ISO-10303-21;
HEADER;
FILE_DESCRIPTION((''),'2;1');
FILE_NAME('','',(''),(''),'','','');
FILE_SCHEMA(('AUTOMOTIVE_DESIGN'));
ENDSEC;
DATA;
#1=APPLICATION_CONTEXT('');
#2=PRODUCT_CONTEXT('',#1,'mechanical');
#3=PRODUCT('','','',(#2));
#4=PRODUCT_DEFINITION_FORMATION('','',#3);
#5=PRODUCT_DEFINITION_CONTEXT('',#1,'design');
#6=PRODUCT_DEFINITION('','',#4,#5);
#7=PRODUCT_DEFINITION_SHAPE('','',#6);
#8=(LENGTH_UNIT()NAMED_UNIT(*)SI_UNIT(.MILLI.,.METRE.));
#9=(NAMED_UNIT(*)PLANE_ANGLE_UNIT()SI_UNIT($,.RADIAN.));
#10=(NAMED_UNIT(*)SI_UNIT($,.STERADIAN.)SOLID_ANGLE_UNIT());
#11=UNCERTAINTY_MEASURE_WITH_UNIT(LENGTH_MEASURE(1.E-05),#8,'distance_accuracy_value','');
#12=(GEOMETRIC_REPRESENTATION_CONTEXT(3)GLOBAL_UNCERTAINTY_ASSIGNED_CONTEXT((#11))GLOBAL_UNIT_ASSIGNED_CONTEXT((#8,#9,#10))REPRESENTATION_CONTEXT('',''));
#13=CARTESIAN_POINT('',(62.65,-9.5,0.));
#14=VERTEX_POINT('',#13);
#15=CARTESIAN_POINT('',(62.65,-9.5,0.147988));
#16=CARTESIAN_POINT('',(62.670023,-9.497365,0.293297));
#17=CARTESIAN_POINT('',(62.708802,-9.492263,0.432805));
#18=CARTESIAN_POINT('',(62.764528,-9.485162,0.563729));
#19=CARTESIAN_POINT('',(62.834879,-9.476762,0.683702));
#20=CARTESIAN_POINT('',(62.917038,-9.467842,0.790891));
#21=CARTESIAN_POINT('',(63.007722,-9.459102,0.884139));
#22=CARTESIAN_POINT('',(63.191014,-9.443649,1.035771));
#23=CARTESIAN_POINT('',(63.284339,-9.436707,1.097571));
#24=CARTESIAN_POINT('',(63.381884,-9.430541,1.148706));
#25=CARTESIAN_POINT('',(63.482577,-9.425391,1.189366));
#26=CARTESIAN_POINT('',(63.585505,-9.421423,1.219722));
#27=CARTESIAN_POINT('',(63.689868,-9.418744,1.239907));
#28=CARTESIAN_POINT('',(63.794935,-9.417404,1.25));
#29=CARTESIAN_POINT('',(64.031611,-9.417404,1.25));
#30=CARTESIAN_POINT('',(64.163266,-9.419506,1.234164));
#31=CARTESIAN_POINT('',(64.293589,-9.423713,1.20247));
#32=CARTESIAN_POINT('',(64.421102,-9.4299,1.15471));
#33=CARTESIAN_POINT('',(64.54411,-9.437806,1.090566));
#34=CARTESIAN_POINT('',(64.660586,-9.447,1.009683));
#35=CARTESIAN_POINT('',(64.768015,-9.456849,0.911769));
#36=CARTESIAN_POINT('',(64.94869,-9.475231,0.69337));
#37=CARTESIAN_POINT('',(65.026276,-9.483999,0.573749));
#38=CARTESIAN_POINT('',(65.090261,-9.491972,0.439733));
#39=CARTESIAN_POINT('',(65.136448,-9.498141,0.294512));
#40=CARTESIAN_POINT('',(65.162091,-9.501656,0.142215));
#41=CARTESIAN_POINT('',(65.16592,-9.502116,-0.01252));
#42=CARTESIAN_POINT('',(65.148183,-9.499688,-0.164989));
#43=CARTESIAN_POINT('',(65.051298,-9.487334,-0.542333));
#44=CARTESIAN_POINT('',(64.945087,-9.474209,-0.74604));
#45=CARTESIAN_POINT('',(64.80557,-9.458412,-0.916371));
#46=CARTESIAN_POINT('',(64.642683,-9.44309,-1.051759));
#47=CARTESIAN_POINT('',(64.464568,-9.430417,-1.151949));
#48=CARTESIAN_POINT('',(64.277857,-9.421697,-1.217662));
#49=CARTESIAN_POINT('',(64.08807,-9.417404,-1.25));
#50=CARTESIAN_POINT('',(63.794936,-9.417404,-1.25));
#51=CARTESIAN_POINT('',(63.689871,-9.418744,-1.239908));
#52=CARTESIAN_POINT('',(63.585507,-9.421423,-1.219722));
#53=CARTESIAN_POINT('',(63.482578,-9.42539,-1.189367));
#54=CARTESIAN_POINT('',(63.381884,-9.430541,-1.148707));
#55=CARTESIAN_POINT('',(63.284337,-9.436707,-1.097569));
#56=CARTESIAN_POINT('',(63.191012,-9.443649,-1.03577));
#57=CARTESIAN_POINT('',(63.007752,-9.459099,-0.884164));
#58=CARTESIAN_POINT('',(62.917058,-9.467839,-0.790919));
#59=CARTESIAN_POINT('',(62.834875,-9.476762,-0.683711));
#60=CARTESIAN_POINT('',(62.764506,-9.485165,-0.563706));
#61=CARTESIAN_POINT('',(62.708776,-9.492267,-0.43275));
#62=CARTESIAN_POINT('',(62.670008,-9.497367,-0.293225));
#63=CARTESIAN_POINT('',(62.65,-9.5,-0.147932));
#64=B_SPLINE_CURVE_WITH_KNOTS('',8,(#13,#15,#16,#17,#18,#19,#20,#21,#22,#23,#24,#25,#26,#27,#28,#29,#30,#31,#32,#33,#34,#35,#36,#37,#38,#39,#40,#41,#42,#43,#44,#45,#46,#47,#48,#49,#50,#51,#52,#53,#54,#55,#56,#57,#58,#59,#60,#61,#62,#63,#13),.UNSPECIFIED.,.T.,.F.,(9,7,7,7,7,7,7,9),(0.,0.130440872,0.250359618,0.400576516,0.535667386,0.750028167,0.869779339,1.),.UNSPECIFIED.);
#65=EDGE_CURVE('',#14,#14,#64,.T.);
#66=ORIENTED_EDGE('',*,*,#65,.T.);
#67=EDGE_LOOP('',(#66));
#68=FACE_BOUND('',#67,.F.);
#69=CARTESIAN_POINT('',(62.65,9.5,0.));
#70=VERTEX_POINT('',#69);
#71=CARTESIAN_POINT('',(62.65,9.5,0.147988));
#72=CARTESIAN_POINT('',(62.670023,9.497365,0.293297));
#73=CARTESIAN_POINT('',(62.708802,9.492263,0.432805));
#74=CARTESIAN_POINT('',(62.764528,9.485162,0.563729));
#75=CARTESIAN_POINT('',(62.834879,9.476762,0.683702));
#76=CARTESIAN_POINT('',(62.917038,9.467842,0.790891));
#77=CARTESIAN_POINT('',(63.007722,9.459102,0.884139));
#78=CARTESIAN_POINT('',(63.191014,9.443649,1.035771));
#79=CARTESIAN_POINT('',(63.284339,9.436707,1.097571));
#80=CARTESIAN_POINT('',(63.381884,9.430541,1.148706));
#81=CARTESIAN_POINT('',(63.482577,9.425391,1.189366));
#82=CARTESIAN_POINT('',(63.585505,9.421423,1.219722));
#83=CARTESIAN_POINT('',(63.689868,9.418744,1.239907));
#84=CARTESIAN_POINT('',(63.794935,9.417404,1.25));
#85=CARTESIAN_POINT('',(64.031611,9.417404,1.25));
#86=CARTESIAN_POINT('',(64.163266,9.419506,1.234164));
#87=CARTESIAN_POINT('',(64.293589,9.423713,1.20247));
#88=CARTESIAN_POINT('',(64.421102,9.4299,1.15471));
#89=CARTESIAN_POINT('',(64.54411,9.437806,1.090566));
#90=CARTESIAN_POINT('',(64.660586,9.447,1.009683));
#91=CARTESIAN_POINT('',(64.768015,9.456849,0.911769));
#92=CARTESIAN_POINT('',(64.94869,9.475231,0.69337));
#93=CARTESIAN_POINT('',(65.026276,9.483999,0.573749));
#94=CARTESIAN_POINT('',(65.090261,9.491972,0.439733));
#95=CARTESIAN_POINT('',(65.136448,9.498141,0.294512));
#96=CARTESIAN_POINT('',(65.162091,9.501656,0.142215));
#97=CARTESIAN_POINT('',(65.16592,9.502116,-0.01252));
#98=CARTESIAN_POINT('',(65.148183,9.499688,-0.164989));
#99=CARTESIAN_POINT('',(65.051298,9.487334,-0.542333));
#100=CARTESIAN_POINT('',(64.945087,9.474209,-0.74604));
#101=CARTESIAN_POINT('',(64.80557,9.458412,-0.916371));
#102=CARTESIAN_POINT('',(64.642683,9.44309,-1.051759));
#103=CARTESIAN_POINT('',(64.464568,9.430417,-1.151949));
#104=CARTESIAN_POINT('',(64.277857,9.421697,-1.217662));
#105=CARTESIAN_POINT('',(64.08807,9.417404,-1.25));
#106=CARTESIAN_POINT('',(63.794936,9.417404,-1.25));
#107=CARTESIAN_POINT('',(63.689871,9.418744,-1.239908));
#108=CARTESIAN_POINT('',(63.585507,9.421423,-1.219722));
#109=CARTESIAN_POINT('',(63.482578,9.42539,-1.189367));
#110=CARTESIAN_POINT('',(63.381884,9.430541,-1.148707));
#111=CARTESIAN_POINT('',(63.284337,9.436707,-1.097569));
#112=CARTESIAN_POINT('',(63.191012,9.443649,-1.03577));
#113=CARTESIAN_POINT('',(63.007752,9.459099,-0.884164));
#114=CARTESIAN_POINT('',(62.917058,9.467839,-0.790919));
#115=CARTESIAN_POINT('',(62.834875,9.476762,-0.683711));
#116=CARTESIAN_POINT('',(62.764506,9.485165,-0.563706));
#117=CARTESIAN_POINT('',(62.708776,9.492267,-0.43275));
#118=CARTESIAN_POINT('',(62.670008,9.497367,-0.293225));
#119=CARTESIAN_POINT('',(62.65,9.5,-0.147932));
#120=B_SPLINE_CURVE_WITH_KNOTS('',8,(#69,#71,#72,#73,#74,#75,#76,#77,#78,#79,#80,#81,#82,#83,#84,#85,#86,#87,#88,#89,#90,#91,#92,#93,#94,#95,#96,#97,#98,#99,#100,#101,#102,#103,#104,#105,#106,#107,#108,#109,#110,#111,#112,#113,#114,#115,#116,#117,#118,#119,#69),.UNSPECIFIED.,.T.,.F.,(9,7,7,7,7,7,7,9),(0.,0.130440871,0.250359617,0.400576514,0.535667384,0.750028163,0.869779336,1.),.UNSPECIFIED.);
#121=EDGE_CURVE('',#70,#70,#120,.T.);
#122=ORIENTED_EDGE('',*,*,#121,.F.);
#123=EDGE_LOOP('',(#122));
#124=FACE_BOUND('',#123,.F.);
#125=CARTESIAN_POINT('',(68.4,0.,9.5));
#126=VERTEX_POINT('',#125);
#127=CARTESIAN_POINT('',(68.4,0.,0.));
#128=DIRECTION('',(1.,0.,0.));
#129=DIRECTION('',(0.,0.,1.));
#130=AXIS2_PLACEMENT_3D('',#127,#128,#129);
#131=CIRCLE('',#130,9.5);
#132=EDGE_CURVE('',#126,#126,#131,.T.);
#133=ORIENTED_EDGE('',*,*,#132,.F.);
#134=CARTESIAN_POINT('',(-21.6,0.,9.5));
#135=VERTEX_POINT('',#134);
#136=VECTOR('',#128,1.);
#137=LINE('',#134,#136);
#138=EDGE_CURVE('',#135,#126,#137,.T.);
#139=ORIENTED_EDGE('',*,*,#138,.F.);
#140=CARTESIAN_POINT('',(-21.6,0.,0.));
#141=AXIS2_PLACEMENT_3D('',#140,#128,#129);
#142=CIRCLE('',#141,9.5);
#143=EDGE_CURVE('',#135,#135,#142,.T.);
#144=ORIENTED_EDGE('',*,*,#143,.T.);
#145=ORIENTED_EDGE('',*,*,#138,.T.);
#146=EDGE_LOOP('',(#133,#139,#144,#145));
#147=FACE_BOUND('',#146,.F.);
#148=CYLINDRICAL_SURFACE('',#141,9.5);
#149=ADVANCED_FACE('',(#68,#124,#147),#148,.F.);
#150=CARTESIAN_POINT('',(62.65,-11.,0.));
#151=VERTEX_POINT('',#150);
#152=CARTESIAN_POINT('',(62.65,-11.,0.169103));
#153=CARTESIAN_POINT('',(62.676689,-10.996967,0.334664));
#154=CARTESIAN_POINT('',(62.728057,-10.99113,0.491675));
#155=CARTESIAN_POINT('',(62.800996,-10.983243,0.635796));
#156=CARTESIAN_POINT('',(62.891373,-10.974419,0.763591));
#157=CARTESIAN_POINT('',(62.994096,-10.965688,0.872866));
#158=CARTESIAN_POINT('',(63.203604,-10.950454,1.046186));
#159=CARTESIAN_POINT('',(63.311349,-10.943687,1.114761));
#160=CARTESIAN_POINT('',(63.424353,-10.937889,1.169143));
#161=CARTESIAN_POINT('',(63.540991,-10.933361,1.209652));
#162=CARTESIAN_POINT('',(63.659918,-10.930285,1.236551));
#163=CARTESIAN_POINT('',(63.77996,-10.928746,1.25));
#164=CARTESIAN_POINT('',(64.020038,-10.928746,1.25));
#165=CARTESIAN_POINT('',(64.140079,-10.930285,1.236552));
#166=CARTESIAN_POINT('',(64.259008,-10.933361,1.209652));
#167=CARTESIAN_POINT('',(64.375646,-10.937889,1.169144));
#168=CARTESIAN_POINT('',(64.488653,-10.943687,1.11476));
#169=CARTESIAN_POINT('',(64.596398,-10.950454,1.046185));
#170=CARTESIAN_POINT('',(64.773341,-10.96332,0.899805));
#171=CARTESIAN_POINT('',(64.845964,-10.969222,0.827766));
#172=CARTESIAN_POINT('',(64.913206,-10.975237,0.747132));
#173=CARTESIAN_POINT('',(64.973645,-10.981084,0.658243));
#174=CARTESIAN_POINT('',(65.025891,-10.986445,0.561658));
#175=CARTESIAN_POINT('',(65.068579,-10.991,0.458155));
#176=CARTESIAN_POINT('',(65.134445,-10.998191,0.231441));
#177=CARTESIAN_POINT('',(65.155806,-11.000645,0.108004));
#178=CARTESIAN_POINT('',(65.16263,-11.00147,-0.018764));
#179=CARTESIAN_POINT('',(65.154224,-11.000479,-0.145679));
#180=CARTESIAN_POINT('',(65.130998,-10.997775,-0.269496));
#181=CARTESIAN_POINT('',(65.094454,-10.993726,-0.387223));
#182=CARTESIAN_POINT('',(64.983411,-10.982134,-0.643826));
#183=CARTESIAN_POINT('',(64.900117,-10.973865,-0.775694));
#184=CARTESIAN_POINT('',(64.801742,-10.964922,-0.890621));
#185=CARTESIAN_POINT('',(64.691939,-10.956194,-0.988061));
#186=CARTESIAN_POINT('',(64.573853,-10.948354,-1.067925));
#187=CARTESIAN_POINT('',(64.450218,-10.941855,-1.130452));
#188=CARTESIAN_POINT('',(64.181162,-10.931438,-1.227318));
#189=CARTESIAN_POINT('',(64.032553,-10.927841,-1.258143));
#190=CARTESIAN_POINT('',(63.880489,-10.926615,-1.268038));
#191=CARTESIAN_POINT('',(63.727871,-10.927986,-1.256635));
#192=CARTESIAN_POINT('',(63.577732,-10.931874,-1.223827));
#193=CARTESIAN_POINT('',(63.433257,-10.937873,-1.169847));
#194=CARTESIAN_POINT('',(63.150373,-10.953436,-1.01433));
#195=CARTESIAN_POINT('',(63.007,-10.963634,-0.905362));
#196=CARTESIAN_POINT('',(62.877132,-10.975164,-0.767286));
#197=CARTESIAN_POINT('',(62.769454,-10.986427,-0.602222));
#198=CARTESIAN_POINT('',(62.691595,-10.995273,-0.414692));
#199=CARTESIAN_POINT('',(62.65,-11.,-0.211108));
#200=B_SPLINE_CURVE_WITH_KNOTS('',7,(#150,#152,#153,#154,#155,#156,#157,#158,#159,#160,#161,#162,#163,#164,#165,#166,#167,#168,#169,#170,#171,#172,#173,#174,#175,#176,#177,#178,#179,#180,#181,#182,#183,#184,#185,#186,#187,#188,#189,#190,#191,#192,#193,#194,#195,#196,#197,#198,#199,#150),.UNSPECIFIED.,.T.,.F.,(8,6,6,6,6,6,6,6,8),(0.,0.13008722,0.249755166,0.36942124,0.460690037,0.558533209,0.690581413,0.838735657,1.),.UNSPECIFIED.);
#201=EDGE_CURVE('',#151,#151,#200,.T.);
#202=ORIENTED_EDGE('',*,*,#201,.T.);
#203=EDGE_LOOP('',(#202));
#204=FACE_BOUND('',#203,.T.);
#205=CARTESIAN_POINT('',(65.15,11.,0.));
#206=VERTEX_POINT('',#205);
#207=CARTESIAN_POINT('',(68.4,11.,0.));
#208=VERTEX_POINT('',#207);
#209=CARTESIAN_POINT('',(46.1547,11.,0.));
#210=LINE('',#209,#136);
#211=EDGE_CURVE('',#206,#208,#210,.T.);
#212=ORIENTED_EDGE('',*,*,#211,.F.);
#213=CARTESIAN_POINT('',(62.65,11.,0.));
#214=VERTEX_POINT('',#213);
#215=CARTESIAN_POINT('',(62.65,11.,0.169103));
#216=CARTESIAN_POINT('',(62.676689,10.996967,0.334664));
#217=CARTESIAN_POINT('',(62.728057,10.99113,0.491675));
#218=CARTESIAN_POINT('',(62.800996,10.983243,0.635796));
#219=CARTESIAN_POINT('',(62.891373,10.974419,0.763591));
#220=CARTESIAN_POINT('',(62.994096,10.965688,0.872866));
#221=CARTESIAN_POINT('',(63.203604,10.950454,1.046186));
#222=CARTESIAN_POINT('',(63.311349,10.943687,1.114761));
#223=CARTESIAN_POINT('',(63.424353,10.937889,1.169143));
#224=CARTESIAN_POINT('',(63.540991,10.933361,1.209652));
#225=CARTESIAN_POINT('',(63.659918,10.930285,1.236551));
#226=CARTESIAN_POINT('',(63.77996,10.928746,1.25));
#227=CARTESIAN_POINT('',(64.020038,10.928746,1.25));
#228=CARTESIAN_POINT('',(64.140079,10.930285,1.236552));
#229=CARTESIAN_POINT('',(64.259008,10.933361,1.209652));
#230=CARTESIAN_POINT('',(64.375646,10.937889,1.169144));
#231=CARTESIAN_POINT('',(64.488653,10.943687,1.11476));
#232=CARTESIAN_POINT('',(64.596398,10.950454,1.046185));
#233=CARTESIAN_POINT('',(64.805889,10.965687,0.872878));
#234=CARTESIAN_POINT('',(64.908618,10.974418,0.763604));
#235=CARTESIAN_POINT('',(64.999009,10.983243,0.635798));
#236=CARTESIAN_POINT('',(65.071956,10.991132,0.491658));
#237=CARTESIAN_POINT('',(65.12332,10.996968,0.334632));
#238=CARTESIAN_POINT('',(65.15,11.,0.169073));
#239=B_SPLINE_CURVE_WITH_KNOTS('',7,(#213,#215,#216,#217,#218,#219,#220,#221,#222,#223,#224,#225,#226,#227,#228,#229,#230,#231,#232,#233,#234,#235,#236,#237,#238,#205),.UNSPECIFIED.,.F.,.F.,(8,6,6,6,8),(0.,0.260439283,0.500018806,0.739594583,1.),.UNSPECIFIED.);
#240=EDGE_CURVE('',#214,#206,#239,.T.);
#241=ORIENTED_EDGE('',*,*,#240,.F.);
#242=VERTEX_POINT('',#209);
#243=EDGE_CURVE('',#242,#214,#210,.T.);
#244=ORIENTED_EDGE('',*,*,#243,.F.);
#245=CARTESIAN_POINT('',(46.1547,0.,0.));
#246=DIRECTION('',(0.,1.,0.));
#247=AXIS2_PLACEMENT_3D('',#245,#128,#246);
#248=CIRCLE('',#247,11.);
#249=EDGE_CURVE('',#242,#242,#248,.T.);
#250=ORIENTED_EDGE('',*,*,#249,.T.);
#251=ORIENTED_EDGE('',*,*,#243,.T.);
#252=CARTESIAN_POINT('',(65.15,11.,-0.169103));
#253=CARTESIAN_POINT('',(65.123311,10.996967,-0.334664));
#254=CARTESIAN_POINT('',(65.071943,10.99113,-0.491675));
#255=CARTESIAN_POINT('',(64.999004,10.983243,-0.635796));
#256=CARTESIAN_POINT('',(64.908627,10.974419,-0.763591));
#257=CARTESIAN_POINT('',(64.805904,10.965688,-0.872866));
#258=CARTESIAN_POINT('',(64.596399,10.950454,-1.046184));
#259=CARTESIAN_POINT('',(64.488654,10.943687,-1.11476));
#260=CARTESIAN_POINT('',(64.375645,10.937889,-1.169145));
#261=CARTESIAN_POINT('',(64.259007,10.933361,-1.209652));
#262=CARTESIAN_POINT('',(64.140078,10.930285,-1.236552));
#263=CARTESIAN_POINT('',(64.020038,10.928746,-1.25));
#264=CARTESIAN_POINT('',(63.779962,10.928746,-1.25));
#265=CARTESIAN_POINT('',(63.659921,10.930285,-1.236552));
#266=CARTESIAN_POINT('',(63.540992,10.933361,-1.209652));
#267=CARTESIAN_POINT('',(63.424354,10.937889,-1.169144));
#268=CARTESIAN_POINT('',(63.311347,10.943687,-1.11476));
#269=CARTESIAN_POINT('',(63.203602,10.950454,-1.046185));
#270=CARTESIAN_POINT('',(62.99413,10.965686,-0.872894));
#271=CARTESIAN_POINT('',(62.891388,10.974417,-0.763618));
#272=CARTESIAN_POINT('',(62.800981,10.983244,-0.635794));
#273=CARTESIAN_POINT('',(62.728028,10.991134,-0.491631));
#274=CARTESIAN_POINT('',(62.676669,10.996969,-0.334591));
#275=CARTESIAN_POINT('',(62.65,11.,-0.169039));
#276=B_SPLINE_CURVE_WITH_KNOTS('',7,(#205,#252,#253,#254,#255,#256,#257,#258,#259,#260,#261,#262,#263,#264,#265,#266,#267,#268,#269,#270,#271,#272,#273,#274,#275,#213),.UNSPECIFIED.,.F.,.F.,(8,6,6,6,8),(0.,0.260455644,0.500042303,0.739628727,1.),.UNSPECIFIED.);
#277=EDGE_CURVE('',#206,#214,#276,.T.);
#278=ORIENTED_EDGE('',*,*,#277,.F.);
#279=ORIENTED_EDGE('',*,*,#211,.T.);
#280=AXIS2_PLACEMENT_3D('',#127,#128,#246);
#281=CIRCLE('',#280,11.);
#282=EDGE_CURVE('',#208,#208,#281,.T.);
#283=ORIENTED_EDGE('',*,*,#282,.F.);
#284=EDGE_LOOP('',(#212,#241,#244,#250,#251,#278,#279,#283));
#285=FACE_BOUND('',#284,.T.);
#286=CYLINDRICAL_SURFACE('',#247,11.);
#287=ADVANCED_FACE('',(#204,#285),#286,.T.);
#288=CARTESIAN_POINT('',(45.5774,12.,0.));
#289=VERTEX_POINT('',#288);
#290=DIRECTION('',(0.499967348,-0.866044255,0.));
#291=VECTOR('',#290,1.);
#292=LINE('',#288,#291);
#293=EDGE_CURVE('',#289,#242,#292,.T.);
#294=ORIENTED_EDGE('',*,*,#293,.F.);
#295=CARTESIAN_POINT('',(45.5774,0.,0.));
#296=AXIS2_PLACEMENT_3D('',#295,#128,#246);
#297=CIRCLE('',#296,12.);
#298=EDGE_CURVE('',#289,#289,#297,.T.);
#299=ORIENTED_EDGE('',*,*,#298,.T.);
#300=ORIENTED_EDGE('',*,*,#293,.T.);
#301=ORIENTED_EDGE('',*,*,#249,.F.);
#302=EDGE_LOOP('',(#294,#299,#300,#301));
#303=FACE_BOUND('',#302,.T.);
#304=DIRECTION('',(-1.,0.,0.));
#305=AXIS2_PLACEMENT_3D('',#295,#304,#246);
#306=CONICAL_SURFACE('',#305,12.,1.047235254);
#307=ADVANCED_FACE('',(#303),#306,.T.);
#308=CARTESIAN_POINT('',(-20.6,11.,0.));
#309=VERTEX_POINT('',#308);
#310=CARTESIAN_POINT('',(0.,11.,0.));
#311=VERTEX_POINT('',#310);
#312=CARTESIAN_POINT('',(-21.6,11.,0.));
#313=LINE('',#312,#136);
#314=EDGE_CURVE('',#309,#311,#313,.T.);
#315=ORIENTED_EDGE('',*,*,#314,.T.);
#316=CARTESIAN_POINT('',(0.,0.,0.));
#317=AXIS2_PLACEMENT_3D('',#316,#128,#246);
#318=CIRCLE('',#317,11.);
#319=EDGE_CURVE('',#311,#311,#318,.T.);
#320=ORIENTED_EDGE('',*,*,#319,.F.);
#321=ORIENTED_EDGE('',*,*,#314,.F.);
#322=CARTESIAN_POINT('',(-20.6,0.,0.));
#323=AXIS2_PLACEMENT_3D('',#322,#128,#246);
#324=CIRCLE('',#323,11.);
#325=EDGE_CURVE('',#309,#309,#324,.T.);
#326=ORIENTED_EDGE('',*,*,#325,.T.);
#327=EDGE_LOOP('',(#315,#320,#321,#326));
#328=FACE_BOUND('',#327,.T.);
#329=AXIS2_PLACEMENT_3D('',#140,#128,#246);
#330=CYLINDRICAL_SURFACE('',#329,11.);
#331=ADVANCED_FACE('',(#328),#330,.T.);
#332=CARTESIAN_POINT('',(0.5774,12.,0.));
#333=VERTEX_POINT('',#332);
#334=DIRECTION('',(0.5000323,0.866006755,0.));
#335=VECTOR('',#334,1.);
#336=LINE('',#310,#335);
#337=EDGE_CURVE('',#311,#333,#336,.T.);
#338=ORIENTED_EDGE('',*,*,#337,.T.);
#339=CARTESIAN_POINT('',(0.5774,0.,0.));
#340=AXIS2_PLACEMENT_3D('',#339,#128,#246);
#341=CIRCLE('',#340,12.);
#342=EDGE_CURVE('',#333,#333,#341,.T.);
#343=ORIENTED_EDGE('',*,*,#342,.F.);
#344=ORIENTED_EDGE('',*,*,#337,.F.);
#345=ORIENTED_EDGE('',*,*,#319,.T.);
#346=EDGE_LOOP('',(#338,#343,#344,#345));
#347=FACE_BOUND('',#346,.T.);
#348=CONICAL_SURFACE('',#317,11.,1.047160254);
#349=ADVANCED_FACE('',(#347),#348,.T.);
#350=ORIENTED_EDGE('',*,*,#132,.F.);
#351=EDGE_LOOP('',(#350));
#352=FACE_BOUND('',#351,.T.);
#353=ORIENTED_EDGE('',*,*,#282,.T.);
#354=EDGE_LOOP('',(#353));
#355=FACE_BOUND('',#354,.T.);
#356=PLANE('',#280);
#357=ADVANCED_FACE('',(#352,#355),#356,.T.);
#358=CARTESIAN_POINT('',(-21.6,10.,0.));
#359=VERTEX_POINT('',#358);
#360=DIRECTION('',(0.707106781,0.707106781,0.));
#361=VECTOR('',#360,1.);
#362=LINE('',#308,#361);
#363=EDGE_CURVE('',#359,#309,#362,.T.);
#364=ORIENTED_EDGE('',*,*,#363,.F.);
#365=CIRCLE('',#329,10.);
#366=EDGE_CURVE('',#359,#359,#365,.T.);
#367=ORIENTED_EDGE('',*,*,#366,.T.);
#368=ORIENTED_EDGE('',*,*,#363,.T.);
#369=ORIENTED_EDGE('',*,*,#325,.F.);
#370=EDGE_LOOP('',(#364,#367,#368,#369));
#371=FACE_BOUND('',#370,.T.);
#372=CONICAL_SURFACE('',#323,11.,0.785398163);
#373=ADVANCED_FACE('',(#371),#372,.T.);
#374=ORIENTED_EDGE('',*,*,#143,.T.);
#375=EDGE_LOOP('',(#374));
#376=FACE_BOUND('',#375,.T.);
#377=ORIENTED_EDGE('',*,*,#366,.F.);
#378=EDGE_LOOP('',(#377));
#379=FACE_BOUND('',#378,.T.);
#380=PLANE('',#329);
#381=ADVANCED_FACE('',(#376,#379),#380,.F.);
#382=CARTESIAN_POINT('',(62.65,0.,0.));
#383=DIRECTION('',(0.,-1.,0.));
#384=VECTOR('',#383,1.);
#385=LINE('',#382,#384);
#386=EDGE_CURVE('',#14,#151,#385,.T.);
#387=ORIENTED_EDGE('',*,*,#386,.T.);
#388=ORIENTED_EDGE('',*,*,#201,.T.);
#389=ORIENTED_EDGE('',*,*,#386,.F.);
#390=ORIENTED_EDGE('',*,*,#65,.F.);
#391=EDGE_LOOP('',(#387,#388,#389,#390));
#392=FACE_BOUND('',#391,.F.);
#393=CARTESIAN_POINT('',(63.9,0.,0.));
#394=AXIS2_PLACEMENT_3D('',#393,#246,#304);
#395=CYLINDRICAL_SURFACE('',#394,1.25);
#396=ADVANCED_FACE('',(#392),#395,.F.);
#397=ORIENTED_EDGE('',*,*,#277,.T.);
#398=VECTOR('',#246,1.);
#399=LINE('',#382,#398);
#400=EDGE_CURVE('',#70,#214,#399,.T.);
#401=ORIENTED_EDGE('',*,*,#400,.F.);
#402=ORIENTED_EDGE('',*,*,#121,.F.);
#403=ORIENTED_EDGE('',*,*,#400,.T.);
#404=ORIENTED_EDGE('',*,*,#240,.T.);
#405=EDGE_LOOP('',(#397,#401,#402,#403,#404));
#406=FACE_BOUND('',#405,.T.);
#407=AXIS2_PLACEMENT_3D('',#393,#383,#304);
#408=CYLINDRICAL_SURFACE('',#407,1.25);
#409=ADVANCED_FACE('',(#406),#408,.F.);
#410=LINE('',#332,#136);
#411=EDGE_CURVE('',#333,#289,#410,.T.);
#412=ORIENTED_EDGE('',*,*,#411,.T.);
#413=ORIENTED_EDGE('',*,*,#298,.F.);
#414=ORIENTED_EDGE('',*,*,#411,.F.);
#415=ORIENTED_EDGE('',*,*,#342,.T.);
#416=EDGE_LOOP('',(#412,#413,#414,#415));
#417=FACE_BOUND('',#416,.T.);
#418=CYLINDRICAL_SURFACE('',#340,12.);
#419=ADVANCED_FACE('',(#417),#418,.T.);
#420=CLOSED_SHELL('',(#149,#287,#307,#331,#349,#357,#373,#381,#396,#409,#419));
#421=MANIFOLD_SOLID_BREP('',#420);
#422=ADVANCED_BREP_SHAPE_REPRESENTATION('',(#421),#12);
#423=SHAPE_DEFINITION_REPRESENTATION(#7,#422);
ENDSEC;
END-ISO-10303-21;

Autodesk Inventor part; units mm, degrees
ref_plane "YZ Plane" through (0, 0, 0) normal (1, 0, 0) x (0, 1, 0)
ref_plane "XZ Plane" through (0, 0, 0) normal (0, 1, 0) x (-1, 0, 0)
ref_plane "XY Plane" through (0, 0, 0) normal (0, 0, 1) x (1, 0, 0)
sketch "Profile" plane through (0, 0, 0) normal (0, 0, 1) x (1, 0, 0)
  line L0 (-21.6, 0) -> (-21.6, 11)
  line L1 (-21.6, 11) -> (0, 11)
  line L2 (0, 11) -> (0.5774, 12)
  line L3 (0.5774, 12) -> (45.5774, 12)
  line L4 (45.5774, 12) -> (46.1547, 11)
  line L5 (46.1547, 11) -> (68.4, 11)
  line L6 (68.4, 11) -> (68.4, 0)
  line L7 (-21.6, 0) -> (0, 0)
  line L8 (0, 0) -> (0, 9)
  line L9 (0, 9) -> (60.4, 9)
  line L10 (60.4, 9) -> (60.4, 0)
  line L11 (60.4, 0) -> (68.4, 0)
  line L12 (-39.6, 0) -> (86.4, 0) construction
  line L13 (0, 11) -> (0, 9) construction
  dimension "BodyLength" = 90
  dimension "d1" = 11
  dimension "d3" = 120
  dimension "d4" = 120
  dimension "d5" = 45
  dimension "d6" = 21.6
  dimension "d16" = 8
  dimension "d29" = 1
  dimension "d30" = 9
revolve "ProfileRevolveFeature" add sketch "Profile" angle 360 about axis through (-10, 0, 0) along (1, 0, 0)
sketch "InsideHole" plane through (-21.6, 0, 0) normal (-1, 0, 0) x (0, 0, 1)
  circle A0 centre (0, 0) radius 9 construction
hole "InsideHoleFeature" at (-21.6, 0, 0) direction (1, 0, 0) diameter 19 end through all
chamfer "EndChamferFeature" distance 1 angle 45 1 edges at (-21.6, -11, 0)
sketch "CapMountHole" plane through (0, 0, 0) normal (0, 1, 0) x (-1, 0, 0)
  line L0 (-68.4, 11) -> (-68.4, -11) construction
  line L1 (10.64, 0) -> (-63.84, 0) construction
  circle A0 centre (-63.9, 0) radius 1.25
  point P0 (0, 0)
  dimension "d31" = 4.5
  dimension "d39" = 2.5
extrude "CapMountHoleFeature" cut sketch "CapMountHole" along normal through all both and the other way through all
equation "\"d5\" = 0.5 * BodyLength"
equation "\"d6\" = 0.24 * BodyLength"
properties part number "BackPair1PistonBody"
